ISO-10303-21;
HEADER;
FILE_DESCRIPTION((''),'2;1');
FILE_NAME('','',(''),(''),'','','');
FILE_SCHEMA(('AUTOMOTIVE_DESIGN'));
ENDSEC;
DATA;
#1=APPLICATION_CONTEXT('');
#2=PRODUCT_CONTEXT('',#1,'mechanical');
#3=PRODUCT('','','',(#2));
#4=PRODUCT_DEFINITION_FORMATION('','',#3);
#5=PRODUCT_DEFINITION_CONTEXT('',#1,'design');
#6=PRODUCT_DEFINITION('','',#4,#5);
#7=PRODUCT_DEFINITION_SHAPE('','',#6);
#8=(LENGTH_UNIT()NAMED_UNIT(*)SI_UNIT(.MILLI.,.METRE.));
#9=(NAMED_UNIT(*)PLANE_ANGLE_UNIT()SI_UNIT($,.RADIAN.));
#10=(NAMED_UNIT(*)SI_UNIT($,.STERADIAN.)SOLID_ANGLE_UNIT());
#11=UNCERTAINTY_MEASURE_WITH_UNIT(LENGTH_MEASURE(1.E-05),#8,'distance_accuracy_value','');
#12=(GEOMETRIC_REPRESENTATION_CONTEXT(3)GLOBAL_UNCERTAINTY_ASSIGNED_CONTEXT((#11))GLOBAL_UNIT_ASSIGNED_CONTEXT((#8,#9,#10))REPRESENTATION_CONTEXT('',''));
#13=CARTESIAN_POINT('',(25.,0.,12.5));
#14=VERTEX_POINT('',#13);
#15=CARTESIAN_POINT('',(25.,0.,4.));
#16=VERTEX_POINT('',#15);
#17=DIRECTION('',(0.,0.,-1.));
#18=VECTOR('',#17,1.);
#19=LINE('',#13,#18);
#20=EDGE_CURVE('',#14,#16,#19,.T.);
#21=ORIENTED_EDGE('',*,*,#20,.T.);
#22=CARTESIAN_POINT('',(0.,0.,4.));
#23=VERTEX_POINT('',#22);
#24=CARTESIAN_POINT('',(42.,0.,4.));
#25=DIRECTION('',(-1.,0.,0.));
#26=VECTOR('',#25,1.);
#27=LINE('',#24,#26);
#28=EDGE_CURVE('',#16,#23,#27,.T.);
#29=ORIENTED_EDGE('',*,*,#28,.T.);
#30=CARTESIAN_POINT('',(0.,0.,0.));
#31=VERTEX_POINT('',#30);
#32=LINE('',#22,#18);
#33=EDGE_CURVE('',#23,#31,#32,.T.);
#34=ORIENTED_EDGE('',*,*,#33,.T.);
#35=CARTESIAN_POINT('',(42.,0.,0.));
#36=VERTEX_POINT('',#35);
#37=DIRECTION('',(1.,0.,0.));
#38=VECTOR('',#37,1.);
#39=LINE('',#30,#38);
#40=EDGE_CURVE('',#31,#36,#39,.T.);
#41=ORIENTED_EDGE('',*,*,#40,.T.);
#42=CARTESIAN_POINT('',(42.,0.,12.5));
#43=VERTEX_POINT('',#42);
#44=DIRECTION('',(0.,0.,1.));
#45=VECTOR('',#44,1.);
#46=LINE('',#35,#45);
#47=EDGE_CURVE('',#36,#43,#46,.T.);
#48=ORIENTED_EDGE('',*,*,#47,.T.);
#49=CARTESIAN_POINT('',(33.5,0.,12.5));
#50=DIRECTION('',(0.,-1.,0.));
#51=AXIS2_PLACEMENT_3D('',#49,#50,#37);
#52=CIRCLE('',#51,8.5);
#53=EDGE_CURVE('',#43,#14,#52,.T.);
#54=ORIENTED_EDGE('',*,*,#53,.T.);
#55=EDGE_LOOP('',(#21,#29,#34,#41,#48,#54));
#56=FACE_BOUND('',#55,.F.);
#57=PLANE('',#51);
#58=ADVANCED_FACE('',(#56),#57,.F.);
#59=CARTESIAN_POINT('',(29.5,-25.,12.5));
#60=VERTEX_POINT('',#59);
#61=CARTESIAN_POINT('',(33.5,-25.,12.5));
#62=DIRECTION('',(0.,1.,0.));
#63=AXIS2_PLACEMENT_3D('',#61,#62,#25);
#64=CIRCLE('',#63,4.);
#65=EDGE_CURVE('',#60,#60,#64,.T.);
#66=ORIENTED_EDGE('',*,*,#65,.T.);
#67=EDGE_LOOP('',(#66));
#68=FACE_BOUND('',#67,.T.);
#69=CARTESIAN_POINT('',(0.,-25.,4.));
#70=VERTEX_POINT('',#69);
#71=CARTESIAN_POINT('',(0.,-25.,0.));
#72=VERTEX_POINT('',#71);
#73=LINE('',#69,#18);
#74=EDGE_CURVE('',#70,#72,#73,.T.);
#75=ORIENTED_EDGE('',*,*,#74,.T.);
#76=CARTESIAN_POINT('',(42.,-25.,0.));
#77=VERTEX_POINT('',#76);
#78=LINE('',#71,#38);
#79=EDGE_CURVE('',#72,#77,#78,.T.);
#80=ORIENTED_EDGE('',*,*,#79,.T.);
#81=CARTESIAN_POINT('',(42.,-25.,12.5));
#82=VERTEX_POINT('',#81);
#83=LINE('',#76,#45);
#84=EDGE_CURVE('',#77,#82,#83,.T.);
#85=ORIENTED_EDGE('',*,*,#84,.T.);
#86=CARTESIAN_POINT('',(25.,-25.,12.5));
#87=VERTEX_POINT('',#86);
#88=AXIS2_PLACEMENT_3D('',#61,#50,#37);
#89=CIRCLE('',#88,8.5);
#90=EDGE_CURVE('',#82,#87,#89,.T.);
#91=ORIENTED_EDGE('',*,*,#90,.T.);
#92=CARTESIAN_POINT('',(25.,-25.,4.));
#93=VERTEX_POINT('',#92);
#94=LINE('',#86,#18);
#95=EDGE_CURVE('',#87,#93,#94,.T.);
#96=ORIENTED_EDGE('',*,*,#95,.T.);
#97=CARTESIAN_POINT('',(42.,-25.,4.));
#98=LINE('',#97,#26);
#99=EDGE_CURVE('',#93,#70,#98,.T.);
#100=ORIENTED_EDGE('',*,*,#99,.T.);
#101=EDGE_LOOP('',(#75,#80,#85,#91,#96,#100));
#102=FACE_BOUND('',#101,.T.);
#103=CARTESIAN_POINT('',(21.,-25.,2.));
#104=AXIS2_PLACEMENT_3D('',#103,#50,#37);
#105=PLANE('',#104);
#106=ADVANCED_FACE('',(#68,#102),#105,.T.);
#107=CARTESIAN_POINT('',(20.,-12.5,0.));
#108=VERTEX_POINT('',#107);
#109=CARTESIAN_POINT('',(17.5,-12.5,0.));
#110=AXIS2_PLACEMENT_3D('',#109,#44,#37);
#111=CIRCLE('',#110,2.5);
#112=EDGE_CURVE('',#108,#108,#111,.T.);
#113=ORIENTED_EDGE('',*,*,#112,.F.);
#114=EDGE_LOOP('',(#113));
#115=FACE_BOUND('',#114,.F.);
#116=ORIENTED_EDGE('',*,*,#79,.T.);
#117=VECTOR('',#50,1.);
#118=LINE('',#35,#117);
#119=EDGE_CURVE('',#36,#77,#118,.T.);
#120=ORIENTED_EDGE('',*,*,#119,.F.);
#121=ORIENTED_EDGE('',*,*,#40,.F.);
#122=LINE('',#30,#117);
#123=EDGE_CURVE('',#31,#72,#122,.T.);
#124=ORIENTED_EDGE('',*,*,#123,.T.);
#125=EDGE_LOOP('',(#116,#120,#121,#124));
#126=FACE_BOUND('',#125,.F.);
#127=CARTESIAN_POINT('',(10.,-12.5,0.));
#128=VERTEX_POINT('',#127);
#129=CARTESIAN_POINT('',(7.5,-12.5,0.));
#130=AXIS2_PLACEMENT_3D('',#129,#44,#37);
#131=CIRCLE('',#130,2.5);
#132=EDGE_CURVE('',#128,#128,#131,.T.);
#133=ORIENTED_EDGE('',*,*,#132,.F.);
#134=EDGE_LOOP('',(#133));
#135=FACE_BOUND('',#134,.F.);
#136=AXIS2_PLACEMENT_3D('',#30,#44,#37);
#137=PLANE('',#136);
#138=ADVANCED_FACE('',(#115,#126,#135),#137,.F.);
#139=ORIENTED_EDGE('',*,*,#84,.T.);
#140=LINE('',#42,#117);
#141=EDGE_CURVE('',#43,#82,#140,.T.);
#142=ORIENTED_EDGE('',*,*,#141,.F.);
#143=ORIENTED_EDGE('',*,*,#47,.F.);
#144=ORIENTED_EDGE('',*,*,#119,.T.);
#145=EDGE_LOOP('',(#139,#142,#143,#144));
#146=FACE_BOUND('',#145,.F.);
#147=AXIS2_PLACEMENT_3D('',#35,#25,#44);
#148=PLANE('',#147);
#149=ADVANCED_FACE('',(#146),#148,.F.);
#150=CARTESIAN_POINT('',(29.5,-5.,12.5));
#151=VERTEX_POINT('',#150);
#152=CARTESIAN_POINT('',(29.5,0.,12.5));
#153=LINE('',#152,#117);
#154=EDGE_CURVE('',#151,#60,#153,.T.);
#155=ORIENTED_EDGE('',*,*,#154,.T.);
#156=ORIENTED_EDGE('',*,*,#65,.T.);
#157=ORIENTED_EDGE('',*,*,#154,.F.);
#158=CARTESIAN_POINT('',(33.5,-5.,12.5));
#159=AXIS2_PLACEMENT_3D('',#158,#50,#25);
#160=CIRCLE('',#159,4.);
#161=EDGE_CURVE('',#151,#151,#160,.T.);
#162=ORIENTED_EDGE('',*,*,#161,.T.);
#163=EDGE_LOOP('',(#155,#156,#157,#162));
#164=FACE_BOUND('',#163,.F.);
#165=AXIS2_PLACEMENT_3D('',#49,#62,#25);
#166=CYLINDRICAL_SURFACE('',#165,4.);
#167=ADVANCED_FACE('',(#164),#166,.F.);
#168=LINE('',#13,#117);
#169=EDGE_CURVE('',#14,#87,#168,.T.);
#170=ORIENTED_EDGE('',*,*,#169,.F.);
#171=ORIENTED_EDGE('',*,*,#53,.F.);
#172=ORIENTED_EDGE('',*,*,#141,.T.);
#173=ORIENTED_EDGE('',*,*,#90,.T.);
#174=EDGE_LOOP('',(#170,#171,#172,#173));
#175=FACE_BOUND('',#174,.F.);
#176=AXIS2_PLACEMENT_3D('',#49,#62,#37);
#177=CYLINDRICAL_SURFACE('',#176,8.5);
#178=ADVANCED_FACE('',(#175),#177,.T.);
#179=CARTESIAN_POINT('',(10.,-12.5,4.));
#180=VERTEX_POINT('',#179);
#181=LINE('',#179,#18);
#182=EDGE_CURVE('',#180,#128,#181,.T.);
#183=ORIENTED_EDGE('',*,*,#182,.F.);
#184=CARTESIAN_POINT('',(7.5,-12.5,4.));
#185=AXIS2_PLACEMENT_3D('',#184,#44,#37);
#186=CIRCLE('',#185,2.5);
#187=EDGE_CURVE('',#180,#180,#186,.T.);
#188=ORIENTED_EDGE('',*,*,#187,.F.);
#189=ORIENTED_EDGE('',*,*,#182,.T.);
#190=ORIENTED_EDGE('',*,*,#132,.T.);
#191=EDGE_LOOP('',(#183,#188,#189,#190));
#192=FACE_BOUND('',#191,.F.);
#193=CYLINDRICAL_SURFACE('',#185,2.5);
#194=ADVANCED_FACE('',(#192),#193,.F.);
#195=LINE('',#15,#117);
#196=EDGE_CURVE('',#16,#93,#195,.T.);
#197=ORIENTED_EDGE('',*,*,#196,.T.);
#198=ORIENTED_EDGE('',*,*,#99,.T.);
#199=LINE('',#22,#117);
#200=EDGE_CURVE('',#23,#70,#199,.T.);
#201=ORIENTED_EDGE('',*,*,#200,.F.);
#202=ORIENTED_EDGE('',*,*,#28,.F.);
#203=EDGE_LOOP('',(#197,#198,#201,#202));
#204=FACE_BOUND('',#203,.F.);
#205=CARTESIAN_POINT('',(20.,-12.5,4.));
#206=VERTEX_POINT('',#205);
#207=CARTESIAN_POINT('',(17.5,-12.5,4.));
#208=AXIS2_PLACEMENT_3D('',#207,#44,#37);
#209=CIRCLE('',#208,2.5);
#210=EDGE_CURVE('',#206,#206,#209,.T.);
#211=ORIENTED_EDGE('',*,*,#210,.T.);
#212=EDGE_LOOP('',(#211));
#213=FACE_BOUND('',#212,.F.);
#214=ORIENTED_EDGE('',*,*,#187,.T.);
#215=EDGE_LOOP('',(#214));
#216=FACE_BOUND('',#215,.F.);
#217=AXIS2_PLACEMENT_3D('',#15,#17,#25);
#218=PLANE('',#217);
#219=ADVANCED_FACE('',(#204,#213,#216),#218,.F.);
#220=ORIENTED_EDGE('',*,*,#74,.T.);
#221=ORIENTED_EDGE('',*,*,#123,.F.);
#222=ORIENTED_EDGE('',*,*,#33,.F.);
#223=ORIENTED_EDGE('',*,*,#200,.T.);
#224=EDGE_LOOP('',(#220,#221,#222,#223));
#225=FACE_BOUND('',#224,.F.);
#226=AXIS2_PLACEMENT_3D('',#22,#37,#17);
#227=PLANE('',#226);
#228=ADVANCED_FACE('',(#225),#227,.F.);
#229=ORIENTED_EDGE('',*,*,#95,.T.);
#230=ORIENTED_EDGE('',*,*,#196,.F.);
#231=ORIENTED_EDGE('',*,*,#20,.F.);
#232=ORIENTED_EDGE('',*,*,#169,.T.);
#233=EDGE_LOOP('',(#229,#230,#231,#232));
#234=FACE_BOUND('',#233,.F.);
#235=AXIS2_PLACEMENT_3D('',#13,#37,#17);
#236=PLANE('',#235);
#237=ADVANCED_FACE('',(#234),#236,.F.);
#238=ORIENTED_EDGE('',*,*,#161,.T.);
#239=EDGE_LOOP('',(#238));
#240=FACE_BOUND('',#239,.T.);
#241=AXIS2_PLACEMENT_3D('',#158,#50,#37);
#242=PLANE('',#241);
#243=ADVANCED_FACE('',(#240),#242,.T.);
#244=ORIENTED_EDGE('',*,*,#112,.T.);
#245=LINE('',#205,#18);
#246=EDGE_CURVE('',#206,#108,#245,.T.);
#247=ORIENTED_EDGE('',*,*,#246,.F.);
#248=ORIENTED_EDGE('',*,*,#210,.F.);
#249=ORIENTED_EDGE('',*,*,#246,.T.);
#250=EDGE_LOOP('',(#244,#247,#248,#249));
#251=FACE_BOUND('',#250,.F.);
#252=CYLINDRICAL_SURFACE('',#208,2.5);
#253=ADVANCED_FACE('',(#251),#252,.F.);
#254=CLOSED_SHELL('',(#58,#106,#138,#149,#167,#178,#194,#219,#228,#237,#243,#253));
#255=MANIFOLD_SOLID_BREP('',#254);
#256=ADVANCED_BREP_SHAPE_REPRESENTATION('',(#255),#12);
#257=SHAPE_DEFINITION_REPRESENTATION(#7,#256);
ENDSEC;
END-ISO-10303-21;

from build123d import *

# Parameters (mm, degrees)
F1_DEPTH = 25
F2_DEPTH = 5
F4_DEPTH = 25


with BuildPart() as f1:
    # F0 (on Front) → F1 (new body)
    with BuildSketch(Plane.XZ):
        Polygon((0, 4), (0, 0), (42, 0), (42, 4), (33.5, 4), (25, 4), align=None)
        with BuildLine():
            Line((25, 12.5), (25, 4))
            Line((25, 4), (33.5, 4))
            ThreePointArc((33.5, 4), (27.4895923599, 6.4895923599), (25, 12.5))
        make_face()
        with BuildLine():
            ThreePointArc((25, 12.5), (27.4895923599, 6.4895923599), (33.5, 4))
            ThreePointArc((33.5, 4), (39.5104076401, 6.4895923599), (42, 12.5))
            ThreePointArc((42, 12.5), (33.5, 21), (25, 12.5))
        make_face()
        with BuildLine():
            ThreePointArc((37.5, 12.5), (33.5, 8.5), (29.5, 12.5))
            ThreePointArc((29.5, 12.5), (33.5, 16.5), (37.5, 12.5))
        make_face(mode=Mode.SUBTRACT)
        with BuildLine():
            Line((33.5, 4), (42, 4))
            Line((42, 4), (42, 12.5))
            ThreePointArc((42, 12.5), (39.5104076401, 6.4895923599), (33.5, 4))
        make_face()
    extrude(amount=F1_DEPTH)

    # F0 (on Front) → F2 (join)
    with BuildSketch(Plane.XZ):
        with BuildLine():
            ThreePointArc((37.5, 12.5), (33.5, 16.5), (29.5, 12.5))
            ThreePointArc((29.5, 12.5), (33.5, 8.5), (37.5, 12.5))
        make_face()
    extrude(amount=F2_DEPTH)

    # F3 (on face) → F4 (cut)
    with BuildSketch(Plane.XY.offset(4)):
        with BuildLine():
            ThreePointArc((5, -12.5), (7.5, -15), (10, -12.5))
            Line((10, -12.5), (5, -12.5))
        make_face()
        with BuildLine():
            Line((5, -12.5), (10, -12.5))
            ThreePointArc((10, -12.5), (7.5, -10), (5, -12.5))
        make_face()
        with BuildLine():
            ThreePointArc((15, -12.5), (17.5, -15), (20, -12.5))
            Line((20, -12.5), (15, -12.5))
        make_face()
        with BuildLine():
            Line((15, -12.5), (20, -12.5))
            ThreePointArc((20, -12.5), (17.5, -10), (15, -12.5))
        make_face()
    extrude(amount=-F4_DEPTH, mode=Mode.SUBTRACT)


solid = f1.part
